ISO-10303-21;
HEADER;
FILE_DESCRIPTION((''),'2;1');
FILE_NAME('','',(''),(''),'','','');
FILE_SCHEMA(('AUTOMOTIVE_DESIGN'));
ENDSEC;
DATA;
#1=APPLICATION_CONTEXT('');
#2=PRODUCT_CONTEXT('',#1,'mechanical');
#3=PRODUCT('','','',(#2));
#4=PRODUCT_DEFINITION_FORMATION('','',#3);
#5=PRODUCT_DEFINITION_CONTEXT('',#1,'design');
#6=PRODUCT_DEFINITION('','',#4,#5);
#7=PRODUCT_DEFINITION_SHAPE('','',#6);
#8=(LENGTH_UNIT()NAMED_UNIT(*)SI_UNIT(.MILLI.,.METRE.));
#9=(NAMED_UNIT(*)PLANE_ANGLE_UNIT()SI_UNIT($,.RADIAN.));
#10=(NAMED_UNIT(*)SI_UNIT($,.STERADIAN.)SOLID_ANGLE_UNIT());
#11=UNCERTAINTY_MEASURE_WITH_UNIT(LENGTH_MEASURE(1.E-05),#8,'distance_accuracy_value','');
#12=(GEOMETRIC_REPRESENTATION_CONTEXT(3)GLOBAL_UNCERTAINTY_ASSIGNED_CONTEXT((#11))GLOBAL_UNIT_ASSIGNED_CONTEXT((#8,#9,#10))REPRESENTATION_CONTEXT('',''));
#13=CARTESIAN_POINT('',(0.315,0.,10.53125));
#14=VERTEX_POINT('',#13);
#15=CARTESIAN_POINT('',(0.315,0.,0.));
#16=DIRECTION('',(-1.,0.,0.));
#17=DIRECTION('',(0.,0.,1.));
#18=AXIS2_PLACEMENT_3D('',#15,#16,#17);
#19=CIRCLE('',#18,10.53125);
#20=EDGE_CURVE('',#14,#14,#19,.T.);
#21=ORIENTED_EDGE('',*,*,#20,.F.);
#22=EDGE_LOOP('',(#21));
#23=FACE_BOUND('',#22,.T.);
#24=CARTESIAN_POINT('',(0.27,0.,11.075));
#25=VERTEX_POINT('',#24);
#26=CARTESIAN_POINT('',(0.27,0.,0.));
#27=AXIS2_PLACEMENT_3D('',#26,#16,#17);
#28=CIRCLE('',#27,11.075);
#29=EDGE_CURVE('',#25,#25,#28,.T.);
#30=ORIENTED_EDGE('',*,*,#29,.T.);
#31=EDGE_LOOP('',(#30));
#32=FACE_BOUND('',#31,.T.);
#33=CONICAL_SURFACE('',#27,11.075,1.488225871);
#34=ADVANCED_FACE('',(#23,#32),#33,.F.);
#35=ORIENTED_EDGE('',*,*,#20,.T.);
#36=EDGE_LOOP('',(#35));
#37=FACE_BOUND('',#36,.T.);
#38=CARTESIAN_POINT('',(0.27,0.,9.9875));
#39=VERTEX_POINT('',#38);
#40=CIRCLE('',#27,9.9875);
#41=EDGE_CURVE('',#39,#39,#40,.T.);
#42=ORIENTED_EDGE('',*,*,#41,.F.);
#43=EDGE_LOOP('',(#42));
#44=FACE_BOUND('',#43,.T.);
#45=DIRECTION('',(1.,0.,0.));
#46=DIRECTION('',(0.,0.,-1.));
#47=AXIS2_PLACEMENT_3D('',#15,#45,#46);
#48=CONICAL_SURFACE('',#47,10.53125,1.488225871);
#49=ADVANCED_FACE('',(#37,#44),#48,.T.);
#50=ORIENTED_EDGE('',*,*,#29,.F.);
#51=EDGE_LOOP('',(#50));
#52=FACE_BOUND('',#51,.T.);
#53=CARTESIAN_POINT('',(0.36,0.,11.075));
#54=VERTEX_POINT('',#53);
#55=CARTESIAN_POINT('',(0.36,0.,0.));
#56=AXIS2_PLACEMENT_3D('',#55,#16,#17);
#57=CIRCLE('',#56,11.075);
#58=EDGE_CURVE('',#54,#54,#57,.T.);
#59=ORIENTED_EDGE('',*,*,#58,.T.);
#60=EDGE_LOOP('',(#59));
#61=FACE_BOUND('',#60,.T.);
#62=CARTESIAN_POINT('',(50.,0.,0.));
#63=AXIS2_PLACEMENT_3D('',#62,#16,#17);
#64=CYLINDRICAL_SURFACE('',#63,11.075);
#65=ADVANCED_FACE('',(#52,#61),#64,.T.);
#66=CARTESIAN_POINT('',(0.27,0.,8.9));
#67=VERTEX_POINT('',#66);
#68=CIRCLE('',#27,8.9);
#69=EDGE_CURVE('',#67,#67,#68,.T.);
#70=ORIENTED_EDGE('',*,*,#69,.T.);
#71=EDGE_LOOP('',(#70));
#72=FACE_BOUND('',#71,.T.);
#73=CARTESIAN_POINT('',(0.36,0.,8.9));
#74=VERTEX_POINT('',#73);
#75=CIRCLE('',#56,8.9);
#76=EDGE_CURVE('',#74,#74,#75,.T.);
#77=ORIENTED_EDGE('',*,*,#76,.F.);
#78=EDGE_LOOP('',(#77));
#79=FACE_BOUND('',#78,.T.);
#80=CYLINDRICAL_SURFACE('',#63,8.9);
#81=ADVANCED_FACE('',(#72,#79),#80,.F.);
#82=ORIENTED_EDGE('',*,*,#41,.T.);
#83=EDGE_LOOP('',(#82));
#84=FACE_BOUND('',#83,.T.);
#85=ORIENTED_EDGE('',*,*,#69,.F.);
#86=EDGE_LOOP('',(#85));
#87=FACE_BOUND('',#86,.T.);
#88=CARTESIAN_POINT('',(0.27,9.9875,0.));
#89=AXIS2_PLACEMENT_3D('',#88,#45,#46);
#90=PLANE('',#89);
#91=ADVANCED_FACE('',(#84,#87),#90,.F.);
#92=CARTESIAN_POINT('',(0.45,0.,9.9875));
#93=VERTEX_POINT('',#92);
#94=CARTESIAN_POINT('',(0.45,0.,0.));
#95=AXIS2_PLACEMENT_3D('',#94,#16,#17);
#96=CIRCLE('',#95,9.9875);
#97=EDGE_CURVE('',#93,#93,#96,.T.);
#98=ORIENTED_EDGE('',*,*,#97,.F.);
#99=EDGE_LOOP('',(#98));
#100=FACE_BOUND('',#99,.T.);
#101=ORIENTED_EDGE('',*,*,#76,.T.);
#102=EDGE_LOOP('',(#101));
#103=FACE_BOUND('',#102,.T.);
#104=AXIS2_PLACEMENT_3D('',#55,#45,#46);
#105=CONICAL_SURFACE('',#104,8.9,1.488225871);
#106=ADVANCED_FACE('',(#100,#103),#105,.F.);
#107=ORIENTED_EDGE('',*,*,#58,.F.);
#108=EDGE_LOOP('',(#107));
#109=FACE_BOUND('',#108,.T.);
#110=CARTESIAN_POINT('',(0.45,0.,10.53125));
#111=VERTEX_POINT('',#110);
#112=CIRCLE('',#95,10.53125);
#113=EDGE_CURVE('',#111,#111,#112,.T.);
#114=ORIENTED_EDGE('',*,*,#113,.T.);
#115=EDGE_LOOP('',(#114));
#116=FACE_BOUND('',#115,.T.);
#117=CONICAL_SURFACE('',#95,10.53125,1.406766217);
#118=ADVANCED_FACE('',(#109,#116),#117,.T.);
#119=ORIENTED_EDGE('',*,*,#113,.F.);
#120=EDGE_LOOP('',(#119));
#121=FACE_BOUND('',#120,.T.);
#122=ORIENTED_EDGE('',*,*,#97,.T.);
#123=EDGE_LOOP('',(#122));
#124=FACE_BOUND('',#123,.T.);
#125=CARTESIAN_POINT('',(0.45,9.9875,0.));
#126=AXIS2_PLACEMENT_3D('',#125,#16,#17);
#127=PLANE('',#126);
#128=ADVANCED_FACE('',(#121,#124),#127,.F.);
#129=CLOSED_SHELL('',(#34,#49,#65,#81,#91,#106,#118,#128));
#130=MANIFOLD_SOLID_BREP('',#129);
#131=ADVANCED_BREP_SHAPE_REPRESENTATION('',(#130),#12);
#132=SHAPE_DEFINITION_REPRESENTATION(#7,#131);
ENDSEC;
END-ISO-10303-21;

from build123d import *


with BuildPart() as part:
    # 草图1 → 旋转1 (revolve)
    with BuildSketch(Plane.XY):
        Polygon((0.27, 11.075), (0.315, 10.53125), (0.27, 9.9875), (0.27, 8.9), (0.36, 8.9), (0.45, 9.9875), (0.45, 10.53125), (0.36, 11.075), align=None)
    revolve(axis=Axis((50, 0, 0), (-1, 0, 0)))


solid = part.part
